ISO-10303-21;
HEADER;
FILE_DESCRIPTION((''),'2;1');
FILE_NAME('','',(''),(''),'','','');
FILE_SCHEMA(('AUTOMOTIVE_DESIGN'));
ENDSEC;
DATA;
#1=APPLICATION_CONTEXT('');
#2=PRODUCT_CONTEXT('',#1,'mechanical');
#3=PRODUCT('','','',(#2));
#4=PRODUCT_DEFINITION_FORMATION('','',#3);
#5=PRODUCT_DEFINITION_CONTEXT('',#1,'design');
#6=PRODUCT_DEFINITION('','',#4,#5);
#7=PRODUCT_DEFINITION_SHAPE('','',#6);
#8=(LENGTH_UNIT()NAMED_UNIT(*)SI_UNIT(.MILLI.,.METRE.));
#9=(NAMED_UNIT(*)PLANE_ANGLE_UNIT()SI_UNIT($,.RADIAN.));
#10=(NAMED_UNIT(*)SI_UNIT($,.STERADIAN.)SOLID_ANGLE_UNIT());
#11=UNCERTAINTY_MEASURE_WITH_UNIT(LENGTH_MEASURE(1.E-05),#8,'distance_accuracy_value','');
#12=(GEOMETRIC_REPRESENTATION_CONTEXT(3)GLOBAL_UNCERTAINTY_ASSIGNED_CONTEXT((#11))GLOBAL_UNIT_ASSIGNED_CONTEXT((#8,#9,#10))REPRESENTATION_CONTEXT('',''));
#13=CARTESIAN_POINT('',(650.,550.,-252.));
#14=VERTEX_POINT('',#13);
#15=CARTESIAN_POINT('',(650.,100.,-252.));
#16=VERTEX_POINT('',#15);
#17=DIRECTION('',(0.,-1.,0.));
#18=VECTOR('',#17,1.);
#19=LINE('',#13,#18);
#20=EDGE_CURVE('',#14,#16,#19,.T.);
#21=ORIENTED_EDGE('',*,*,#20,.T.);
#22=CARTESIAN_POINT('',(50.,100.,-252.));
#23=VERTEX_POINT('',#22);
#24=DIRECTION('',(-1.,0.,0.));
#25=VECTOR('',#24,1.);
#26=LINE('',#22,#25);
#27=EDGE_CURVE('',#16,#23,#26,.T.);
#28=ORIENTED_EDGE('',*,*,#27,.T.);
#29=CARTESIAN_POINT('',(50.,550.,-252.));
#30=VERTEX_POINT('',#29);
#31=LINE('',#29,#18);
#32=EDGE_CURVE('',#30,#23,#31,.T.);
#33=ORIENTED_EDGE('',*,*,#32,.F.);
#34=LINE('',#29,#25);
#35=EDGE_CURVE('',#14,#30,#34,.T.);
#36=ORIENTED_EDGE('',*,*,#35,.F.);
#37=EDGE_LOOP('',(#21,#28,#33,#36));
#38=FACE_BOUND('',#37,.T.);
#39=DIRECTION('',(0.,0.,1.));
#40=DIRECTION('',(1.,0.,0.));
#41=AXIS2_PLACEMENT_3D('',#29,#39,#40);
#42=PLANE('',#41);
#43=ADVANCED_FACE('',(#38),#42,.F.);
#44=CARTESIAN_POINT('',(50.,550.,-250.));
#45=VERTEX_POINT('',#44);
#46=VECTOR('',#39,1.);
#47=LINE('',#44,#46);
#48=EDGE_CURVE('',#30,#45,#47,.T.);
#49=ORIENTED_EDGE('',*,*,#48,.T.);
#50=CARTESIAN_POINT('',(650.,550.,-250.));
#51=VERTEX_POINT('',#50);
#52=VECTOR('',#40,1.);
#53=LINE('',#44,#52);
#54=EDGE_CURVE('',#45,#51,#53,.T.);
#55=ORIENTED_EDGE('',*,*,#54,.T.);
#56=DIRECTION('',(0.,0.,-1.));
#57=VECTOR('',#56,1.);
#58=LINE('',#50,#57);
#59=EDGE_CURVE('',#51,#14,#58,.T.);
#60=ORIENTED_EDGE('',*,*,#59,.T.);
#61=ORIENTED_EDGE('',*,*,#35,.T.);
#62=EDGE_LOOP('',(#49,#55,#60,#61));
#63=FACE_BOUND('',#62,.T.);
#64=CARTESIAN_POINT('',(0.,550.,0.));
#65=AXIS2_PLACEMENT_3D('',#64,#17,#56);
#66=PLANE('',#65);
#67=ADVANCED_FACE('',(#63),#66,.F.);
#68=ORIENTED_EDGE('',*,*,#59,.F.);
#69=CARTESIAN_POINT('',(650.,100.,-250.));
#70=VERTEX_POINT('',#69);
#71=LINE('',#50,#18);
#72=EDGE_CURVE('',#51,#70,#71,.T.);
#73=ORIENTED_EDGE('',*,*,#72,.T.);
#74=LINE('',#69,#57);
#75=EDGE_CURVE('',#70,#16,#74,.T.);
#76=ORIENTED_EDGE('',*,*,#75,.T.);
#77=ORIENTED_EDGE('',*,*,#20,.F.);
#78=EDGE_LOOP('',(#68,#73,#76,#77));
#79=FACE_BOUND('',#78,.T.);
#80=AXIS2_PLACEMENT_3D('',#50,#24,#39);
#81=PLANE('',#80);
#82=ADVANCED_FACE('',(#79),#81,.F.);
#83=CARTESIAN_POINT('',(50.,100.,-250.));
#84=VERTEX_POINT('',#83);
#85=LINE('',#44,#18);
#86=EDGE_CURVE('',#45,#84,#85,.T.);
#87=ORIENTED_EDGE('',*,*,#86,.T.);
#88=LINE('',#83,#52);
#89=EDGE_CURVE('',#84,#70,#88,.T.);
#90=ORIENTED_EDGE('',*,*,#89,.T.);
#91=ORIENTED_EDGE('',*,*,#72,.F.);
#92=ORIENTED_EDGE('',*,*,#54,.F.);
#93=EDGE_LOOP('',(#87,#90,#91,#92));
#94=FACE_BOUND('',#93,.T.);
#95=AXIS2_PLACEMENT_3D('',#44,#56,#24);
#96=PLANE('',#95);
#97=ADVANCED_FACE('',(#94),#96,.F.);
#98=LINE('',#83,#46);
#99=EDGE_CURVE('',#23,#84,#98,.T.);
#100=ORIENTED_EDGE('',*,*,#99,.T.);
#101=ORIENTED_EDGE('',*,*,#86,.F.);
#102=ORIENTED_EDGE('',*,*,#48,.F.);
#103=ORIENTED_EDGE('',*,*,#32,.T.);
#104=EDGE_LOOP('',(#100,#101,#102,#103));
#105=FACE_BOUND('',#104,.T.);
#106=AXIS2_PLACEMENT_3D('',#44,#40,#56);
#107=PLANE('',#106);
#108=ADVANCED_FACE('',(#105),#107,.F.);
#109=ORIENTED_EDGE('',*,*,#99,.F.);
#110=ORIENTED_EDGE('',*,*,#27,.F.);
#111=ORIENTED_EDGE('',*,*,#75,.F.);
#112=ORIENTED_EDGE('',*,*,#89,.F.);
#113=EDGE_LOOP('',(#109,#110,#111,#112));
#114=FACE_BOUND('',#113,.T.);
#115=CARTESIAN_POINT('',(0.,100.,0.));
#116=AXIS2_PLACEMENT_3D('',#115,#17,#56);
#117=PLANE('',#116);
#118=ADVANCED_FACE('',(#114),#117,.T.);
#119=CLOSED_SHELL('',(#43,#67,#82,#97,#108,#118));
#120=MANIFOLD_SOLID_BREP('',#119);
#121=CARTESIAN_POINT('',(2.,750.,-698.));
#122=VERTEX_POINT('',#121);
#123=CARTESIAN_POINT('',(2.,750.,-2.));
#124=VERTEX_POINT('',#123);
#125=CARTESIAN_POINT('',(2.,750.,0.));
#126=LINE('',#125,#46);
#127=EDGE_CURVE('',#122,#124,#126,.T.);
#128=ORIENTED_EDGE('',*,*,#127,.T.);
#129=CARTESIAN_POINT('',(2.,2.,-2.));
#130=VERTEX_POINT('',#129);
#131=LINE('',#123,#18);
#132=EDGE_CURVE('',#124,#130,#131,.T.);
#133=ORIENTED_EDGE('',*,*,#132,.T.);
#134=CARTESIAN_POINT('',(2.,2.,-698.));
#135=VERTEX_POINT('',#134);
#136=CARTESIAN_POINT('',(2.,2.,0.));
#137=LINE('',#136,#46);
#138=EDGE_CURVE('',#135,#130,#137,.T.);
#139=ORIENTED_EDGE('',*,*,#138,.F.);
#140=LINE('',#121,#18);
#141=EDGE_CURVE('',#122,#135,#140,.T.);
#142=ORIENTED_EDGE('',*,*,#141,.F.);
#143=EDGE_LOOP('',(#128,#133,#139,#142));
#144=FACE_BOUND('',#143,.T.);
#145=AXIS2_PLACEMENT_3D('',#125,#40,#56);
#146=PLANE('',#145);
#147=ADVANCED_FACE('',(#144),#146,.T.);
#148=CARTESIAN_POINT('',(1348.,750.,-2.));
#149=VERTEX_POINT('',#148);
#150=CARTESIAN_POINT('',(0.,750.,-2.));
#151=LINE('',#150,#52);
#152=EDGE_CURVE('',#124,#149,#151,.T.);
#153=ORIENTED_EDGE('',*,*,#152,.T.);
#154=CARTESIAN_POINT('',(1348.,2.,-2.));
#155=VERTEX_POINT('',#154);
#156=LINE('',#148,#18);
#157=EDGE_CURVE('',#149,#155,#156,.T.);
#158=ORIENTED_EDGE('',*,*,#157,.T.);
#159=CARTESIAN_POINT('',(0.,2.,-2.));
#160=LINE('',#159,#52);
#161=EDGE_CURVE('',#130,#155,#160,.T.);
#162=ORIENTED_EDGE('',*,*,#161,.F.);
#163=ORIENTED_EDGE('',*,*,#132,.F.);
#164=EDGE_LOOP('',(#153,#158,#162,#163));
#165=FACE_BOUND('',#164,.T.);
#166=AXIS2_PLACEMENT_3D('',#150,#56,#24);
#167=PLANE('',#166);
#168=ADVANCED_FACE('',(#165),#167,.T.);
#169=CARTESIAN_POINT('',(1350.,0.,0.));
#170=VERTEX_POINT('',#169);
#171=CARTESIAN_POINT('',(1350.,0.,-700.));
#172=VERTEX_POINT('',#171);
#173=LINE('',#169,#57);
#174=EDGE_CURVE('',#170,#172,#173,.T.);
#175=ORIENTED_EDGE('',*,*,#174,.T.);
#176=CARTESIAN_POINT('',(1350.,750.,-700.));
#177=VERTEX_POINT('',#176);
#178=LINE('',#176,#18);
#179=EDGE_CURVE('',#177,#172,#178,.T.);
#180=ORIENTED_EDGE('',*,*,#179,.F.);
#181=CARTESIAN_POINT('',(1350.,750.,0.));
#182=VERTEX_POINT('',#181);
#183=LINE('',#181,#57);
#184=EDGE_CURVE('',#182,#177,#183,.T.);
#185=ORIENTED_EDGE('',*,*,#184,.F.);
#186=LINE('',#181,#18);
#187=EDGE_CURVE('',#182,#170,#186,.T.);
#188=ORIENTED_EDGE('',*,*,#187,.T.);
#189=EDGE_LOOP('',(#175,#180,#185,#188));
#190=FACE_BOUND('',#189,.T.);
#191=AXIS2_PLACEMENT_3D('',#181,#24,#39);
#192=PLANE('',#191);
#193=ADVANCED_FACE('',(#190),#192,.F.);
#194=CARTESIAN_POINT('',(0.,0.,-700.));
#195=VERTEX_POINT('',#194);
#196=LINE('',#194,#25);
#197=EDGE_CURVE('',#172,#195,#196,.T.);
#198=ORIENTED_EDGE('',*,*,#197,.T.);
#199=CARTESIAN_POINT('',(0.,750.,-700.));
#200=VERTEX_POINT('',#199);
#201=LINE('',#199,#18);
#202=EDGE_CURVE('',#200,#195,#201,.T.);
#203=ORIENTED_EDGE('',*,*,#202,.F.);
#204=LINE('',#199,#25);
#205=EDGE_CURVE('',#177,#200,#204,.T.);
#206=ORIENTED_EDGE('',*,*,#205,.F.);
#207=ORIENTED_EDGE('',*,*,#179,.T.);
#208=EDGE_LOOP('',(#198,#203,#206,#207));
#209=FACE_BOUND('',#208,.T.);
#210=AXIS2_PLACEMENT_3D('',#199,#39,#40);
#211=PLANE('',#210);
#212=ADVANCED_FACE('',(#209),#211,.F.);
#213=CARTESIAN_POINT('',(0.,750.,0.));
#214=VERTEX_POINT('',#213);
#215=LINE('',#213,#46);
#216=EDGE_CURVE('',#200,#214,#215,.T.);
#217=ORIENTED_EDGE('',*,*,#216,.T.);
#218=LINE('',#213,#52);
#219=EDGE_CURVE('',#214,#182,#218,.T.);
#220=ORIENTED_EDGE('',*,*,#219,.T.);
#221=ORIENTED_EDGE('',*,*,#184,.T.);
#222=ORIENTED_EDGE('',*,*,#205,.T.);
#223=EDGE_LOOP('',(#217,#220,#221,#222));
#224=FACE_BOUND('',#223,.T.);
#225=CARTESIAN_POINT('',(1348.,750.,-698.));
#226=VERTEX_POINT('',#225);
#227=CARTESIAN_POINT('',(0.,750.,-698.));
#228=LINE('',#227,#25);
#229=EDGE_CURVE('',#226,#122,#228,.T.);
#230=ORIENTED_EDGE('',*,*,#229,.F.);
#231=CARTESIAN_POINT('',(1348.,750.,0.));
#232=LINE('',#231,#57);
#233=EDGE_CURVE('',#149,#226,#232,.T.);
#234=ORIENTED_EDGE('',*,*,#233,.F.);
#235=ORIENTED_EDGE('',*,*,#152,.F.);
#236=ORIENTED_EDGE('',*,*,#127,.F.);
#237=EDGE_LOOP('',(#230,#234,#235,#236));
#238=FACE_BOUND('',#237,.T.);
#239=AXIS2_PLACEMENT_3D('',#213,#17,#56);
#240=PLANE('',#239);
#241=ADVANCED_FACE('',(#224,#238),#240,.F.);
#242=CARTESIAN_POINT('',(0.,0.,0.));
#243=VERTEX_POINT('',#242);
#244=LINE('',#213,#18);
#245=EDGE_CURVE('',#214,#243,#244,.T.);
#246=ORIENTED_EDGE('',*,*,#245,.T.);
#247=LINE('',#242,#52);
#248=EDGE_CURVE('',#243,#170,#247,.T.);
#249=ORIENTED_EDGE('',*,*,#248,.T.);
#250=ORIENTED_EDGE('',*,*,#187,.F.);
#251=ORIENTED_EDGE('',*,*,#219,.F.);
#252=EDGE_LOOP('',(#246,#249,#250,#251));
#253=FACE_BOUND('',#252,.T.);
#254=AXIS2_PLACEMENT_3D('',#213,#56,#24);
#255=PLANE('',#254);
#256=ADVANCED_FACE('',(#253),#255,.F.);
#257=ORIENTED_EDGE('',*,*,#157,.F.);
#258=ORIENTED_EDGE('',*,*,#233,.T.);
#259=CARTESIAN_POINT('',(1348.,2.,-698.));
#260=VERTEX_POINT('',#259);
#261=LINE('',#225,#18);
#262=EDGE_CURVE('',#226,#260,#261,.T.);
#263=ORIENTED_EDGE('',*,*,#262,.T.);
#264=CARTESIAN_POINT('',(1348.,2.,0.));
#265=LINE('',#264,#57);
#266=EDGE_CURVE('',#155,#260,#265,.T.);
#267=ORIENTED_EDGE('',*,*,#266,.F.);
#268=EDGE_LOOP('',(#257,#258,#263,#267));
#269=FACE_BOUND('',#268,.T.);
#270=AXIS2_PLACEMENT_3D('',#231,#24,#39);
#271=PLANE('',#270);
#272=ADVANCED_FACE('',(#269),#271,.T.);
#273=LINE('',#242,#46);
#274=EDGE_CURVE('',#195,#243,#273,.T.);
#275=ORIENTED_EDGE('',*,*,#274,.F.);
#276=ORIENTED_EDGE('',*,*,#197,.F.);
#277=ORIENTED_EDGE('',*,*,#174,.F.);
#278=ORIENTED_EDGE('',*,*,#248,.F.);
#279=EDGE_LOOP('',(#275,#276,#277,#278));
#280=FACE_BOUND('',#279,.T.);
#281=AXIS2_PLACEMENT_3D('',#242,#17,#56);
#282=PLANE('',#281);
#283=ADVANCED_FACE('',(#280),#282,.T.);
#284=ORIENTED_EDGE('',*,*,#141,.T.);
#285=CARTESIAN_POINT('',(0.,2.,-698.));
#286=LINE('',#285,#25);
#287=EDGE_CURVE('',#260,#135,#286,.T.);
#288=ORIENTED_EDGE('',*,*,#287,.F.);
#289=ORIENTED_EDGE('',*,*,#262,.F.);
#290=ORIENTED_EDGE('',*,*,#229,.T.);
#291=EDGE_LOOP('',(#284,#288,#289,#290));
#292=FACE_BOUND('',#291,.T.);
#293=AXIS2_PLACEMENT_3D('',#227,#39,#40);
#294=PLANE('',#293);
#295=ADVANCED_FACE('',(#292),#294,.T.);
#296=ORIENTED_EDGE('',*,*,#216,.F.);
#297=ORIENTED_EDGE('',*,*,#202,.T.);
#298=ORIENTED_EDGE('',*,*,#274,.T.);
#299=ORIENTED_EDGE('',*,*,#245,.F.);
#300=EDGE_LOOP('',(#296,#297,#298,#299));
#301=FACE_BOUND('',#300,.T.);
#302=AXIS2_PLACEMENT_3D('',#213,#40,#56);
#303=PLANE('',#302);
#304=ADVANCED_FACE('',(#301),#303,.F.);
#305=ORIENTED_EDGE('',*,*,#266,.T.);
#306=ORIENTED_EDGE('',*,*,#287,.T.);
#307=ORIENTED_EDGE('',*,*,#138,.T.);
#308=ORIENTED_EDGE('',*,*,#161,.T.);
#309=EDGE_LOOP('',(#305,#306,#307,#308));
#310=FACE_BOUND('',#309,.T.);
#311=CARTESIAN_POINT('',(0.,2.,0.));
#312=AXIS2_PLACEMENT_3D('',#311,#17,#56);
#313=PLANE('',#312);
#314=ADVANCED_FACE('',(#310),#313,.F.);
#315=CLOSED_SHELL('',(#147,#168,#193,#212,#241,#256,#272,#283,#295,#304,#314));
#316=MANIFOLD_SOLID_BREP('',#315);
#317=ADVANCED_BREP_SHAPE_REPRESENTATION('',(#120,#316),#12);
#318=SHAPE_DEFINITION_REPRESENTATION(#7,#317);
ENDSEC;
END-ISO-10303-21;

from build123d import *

# Parameters (mm, degrees)
MASTER_FOOTPRINT_W           = 1350
MASTER_FOOTPRINT_H           = 700
BATH_BASE_PLATE_DEPTH        = 750
BATH_SHELL_2MM_T             = -2
DISTRIBUTOR_PANEL_TEST_START = 100
SKETCH_1_W                   = 600
SKETCH_1_H                   = 2
DISTRIBUTOR_PANEL_TEST_DEPTH = 450


with BuildPart() as part:
    # MASTER_FOOTPRINT → BATH_BASE_PLATE (new body)
    with BuildSketch(Plane(origin=(0, 0, 0), x_dir=(1, 0, 0), z_dir=(0, 1, 0))):
        with Locations((675, 350)):
            Rectangle(MASTER_FOOTPRINT_W, MASTER_FOOTPRINT_H)
    extrude(amount=BATH_BASE_PLATE_DEPTH)

    # BATH_SHELL_2MM
    bath_shell_2mm_openings = [part.faces().sort_by_distance(p)[0] for p in [
        (675, 750, -350),
    ]]
    offset(amount=BATH_SHELL_2MM_T, openings=bath_shell_2mm_openings, kind=Kind.INTERSECTION)


with BuildPart() as body_2:
    # Эскиз1 → DISTRIBUTOR_PANEL_TEST (new body)
    with BuildSketch(Plane(origin=(0, 0, 0), x_dir=(1, 0, 0), z_dir=(0, 1, 0)).offset(DISTRIBUTOR_PANEL_TEST_START)):
        with Locations((350, 251)):
            Rectangle(SKETCH_1_W, SKETCH_1_H)
    extrude(amount=DISTRIBUTOR_PANEL_TEST_DEPTH)


solid = Compound([part.part, body_2.part])
